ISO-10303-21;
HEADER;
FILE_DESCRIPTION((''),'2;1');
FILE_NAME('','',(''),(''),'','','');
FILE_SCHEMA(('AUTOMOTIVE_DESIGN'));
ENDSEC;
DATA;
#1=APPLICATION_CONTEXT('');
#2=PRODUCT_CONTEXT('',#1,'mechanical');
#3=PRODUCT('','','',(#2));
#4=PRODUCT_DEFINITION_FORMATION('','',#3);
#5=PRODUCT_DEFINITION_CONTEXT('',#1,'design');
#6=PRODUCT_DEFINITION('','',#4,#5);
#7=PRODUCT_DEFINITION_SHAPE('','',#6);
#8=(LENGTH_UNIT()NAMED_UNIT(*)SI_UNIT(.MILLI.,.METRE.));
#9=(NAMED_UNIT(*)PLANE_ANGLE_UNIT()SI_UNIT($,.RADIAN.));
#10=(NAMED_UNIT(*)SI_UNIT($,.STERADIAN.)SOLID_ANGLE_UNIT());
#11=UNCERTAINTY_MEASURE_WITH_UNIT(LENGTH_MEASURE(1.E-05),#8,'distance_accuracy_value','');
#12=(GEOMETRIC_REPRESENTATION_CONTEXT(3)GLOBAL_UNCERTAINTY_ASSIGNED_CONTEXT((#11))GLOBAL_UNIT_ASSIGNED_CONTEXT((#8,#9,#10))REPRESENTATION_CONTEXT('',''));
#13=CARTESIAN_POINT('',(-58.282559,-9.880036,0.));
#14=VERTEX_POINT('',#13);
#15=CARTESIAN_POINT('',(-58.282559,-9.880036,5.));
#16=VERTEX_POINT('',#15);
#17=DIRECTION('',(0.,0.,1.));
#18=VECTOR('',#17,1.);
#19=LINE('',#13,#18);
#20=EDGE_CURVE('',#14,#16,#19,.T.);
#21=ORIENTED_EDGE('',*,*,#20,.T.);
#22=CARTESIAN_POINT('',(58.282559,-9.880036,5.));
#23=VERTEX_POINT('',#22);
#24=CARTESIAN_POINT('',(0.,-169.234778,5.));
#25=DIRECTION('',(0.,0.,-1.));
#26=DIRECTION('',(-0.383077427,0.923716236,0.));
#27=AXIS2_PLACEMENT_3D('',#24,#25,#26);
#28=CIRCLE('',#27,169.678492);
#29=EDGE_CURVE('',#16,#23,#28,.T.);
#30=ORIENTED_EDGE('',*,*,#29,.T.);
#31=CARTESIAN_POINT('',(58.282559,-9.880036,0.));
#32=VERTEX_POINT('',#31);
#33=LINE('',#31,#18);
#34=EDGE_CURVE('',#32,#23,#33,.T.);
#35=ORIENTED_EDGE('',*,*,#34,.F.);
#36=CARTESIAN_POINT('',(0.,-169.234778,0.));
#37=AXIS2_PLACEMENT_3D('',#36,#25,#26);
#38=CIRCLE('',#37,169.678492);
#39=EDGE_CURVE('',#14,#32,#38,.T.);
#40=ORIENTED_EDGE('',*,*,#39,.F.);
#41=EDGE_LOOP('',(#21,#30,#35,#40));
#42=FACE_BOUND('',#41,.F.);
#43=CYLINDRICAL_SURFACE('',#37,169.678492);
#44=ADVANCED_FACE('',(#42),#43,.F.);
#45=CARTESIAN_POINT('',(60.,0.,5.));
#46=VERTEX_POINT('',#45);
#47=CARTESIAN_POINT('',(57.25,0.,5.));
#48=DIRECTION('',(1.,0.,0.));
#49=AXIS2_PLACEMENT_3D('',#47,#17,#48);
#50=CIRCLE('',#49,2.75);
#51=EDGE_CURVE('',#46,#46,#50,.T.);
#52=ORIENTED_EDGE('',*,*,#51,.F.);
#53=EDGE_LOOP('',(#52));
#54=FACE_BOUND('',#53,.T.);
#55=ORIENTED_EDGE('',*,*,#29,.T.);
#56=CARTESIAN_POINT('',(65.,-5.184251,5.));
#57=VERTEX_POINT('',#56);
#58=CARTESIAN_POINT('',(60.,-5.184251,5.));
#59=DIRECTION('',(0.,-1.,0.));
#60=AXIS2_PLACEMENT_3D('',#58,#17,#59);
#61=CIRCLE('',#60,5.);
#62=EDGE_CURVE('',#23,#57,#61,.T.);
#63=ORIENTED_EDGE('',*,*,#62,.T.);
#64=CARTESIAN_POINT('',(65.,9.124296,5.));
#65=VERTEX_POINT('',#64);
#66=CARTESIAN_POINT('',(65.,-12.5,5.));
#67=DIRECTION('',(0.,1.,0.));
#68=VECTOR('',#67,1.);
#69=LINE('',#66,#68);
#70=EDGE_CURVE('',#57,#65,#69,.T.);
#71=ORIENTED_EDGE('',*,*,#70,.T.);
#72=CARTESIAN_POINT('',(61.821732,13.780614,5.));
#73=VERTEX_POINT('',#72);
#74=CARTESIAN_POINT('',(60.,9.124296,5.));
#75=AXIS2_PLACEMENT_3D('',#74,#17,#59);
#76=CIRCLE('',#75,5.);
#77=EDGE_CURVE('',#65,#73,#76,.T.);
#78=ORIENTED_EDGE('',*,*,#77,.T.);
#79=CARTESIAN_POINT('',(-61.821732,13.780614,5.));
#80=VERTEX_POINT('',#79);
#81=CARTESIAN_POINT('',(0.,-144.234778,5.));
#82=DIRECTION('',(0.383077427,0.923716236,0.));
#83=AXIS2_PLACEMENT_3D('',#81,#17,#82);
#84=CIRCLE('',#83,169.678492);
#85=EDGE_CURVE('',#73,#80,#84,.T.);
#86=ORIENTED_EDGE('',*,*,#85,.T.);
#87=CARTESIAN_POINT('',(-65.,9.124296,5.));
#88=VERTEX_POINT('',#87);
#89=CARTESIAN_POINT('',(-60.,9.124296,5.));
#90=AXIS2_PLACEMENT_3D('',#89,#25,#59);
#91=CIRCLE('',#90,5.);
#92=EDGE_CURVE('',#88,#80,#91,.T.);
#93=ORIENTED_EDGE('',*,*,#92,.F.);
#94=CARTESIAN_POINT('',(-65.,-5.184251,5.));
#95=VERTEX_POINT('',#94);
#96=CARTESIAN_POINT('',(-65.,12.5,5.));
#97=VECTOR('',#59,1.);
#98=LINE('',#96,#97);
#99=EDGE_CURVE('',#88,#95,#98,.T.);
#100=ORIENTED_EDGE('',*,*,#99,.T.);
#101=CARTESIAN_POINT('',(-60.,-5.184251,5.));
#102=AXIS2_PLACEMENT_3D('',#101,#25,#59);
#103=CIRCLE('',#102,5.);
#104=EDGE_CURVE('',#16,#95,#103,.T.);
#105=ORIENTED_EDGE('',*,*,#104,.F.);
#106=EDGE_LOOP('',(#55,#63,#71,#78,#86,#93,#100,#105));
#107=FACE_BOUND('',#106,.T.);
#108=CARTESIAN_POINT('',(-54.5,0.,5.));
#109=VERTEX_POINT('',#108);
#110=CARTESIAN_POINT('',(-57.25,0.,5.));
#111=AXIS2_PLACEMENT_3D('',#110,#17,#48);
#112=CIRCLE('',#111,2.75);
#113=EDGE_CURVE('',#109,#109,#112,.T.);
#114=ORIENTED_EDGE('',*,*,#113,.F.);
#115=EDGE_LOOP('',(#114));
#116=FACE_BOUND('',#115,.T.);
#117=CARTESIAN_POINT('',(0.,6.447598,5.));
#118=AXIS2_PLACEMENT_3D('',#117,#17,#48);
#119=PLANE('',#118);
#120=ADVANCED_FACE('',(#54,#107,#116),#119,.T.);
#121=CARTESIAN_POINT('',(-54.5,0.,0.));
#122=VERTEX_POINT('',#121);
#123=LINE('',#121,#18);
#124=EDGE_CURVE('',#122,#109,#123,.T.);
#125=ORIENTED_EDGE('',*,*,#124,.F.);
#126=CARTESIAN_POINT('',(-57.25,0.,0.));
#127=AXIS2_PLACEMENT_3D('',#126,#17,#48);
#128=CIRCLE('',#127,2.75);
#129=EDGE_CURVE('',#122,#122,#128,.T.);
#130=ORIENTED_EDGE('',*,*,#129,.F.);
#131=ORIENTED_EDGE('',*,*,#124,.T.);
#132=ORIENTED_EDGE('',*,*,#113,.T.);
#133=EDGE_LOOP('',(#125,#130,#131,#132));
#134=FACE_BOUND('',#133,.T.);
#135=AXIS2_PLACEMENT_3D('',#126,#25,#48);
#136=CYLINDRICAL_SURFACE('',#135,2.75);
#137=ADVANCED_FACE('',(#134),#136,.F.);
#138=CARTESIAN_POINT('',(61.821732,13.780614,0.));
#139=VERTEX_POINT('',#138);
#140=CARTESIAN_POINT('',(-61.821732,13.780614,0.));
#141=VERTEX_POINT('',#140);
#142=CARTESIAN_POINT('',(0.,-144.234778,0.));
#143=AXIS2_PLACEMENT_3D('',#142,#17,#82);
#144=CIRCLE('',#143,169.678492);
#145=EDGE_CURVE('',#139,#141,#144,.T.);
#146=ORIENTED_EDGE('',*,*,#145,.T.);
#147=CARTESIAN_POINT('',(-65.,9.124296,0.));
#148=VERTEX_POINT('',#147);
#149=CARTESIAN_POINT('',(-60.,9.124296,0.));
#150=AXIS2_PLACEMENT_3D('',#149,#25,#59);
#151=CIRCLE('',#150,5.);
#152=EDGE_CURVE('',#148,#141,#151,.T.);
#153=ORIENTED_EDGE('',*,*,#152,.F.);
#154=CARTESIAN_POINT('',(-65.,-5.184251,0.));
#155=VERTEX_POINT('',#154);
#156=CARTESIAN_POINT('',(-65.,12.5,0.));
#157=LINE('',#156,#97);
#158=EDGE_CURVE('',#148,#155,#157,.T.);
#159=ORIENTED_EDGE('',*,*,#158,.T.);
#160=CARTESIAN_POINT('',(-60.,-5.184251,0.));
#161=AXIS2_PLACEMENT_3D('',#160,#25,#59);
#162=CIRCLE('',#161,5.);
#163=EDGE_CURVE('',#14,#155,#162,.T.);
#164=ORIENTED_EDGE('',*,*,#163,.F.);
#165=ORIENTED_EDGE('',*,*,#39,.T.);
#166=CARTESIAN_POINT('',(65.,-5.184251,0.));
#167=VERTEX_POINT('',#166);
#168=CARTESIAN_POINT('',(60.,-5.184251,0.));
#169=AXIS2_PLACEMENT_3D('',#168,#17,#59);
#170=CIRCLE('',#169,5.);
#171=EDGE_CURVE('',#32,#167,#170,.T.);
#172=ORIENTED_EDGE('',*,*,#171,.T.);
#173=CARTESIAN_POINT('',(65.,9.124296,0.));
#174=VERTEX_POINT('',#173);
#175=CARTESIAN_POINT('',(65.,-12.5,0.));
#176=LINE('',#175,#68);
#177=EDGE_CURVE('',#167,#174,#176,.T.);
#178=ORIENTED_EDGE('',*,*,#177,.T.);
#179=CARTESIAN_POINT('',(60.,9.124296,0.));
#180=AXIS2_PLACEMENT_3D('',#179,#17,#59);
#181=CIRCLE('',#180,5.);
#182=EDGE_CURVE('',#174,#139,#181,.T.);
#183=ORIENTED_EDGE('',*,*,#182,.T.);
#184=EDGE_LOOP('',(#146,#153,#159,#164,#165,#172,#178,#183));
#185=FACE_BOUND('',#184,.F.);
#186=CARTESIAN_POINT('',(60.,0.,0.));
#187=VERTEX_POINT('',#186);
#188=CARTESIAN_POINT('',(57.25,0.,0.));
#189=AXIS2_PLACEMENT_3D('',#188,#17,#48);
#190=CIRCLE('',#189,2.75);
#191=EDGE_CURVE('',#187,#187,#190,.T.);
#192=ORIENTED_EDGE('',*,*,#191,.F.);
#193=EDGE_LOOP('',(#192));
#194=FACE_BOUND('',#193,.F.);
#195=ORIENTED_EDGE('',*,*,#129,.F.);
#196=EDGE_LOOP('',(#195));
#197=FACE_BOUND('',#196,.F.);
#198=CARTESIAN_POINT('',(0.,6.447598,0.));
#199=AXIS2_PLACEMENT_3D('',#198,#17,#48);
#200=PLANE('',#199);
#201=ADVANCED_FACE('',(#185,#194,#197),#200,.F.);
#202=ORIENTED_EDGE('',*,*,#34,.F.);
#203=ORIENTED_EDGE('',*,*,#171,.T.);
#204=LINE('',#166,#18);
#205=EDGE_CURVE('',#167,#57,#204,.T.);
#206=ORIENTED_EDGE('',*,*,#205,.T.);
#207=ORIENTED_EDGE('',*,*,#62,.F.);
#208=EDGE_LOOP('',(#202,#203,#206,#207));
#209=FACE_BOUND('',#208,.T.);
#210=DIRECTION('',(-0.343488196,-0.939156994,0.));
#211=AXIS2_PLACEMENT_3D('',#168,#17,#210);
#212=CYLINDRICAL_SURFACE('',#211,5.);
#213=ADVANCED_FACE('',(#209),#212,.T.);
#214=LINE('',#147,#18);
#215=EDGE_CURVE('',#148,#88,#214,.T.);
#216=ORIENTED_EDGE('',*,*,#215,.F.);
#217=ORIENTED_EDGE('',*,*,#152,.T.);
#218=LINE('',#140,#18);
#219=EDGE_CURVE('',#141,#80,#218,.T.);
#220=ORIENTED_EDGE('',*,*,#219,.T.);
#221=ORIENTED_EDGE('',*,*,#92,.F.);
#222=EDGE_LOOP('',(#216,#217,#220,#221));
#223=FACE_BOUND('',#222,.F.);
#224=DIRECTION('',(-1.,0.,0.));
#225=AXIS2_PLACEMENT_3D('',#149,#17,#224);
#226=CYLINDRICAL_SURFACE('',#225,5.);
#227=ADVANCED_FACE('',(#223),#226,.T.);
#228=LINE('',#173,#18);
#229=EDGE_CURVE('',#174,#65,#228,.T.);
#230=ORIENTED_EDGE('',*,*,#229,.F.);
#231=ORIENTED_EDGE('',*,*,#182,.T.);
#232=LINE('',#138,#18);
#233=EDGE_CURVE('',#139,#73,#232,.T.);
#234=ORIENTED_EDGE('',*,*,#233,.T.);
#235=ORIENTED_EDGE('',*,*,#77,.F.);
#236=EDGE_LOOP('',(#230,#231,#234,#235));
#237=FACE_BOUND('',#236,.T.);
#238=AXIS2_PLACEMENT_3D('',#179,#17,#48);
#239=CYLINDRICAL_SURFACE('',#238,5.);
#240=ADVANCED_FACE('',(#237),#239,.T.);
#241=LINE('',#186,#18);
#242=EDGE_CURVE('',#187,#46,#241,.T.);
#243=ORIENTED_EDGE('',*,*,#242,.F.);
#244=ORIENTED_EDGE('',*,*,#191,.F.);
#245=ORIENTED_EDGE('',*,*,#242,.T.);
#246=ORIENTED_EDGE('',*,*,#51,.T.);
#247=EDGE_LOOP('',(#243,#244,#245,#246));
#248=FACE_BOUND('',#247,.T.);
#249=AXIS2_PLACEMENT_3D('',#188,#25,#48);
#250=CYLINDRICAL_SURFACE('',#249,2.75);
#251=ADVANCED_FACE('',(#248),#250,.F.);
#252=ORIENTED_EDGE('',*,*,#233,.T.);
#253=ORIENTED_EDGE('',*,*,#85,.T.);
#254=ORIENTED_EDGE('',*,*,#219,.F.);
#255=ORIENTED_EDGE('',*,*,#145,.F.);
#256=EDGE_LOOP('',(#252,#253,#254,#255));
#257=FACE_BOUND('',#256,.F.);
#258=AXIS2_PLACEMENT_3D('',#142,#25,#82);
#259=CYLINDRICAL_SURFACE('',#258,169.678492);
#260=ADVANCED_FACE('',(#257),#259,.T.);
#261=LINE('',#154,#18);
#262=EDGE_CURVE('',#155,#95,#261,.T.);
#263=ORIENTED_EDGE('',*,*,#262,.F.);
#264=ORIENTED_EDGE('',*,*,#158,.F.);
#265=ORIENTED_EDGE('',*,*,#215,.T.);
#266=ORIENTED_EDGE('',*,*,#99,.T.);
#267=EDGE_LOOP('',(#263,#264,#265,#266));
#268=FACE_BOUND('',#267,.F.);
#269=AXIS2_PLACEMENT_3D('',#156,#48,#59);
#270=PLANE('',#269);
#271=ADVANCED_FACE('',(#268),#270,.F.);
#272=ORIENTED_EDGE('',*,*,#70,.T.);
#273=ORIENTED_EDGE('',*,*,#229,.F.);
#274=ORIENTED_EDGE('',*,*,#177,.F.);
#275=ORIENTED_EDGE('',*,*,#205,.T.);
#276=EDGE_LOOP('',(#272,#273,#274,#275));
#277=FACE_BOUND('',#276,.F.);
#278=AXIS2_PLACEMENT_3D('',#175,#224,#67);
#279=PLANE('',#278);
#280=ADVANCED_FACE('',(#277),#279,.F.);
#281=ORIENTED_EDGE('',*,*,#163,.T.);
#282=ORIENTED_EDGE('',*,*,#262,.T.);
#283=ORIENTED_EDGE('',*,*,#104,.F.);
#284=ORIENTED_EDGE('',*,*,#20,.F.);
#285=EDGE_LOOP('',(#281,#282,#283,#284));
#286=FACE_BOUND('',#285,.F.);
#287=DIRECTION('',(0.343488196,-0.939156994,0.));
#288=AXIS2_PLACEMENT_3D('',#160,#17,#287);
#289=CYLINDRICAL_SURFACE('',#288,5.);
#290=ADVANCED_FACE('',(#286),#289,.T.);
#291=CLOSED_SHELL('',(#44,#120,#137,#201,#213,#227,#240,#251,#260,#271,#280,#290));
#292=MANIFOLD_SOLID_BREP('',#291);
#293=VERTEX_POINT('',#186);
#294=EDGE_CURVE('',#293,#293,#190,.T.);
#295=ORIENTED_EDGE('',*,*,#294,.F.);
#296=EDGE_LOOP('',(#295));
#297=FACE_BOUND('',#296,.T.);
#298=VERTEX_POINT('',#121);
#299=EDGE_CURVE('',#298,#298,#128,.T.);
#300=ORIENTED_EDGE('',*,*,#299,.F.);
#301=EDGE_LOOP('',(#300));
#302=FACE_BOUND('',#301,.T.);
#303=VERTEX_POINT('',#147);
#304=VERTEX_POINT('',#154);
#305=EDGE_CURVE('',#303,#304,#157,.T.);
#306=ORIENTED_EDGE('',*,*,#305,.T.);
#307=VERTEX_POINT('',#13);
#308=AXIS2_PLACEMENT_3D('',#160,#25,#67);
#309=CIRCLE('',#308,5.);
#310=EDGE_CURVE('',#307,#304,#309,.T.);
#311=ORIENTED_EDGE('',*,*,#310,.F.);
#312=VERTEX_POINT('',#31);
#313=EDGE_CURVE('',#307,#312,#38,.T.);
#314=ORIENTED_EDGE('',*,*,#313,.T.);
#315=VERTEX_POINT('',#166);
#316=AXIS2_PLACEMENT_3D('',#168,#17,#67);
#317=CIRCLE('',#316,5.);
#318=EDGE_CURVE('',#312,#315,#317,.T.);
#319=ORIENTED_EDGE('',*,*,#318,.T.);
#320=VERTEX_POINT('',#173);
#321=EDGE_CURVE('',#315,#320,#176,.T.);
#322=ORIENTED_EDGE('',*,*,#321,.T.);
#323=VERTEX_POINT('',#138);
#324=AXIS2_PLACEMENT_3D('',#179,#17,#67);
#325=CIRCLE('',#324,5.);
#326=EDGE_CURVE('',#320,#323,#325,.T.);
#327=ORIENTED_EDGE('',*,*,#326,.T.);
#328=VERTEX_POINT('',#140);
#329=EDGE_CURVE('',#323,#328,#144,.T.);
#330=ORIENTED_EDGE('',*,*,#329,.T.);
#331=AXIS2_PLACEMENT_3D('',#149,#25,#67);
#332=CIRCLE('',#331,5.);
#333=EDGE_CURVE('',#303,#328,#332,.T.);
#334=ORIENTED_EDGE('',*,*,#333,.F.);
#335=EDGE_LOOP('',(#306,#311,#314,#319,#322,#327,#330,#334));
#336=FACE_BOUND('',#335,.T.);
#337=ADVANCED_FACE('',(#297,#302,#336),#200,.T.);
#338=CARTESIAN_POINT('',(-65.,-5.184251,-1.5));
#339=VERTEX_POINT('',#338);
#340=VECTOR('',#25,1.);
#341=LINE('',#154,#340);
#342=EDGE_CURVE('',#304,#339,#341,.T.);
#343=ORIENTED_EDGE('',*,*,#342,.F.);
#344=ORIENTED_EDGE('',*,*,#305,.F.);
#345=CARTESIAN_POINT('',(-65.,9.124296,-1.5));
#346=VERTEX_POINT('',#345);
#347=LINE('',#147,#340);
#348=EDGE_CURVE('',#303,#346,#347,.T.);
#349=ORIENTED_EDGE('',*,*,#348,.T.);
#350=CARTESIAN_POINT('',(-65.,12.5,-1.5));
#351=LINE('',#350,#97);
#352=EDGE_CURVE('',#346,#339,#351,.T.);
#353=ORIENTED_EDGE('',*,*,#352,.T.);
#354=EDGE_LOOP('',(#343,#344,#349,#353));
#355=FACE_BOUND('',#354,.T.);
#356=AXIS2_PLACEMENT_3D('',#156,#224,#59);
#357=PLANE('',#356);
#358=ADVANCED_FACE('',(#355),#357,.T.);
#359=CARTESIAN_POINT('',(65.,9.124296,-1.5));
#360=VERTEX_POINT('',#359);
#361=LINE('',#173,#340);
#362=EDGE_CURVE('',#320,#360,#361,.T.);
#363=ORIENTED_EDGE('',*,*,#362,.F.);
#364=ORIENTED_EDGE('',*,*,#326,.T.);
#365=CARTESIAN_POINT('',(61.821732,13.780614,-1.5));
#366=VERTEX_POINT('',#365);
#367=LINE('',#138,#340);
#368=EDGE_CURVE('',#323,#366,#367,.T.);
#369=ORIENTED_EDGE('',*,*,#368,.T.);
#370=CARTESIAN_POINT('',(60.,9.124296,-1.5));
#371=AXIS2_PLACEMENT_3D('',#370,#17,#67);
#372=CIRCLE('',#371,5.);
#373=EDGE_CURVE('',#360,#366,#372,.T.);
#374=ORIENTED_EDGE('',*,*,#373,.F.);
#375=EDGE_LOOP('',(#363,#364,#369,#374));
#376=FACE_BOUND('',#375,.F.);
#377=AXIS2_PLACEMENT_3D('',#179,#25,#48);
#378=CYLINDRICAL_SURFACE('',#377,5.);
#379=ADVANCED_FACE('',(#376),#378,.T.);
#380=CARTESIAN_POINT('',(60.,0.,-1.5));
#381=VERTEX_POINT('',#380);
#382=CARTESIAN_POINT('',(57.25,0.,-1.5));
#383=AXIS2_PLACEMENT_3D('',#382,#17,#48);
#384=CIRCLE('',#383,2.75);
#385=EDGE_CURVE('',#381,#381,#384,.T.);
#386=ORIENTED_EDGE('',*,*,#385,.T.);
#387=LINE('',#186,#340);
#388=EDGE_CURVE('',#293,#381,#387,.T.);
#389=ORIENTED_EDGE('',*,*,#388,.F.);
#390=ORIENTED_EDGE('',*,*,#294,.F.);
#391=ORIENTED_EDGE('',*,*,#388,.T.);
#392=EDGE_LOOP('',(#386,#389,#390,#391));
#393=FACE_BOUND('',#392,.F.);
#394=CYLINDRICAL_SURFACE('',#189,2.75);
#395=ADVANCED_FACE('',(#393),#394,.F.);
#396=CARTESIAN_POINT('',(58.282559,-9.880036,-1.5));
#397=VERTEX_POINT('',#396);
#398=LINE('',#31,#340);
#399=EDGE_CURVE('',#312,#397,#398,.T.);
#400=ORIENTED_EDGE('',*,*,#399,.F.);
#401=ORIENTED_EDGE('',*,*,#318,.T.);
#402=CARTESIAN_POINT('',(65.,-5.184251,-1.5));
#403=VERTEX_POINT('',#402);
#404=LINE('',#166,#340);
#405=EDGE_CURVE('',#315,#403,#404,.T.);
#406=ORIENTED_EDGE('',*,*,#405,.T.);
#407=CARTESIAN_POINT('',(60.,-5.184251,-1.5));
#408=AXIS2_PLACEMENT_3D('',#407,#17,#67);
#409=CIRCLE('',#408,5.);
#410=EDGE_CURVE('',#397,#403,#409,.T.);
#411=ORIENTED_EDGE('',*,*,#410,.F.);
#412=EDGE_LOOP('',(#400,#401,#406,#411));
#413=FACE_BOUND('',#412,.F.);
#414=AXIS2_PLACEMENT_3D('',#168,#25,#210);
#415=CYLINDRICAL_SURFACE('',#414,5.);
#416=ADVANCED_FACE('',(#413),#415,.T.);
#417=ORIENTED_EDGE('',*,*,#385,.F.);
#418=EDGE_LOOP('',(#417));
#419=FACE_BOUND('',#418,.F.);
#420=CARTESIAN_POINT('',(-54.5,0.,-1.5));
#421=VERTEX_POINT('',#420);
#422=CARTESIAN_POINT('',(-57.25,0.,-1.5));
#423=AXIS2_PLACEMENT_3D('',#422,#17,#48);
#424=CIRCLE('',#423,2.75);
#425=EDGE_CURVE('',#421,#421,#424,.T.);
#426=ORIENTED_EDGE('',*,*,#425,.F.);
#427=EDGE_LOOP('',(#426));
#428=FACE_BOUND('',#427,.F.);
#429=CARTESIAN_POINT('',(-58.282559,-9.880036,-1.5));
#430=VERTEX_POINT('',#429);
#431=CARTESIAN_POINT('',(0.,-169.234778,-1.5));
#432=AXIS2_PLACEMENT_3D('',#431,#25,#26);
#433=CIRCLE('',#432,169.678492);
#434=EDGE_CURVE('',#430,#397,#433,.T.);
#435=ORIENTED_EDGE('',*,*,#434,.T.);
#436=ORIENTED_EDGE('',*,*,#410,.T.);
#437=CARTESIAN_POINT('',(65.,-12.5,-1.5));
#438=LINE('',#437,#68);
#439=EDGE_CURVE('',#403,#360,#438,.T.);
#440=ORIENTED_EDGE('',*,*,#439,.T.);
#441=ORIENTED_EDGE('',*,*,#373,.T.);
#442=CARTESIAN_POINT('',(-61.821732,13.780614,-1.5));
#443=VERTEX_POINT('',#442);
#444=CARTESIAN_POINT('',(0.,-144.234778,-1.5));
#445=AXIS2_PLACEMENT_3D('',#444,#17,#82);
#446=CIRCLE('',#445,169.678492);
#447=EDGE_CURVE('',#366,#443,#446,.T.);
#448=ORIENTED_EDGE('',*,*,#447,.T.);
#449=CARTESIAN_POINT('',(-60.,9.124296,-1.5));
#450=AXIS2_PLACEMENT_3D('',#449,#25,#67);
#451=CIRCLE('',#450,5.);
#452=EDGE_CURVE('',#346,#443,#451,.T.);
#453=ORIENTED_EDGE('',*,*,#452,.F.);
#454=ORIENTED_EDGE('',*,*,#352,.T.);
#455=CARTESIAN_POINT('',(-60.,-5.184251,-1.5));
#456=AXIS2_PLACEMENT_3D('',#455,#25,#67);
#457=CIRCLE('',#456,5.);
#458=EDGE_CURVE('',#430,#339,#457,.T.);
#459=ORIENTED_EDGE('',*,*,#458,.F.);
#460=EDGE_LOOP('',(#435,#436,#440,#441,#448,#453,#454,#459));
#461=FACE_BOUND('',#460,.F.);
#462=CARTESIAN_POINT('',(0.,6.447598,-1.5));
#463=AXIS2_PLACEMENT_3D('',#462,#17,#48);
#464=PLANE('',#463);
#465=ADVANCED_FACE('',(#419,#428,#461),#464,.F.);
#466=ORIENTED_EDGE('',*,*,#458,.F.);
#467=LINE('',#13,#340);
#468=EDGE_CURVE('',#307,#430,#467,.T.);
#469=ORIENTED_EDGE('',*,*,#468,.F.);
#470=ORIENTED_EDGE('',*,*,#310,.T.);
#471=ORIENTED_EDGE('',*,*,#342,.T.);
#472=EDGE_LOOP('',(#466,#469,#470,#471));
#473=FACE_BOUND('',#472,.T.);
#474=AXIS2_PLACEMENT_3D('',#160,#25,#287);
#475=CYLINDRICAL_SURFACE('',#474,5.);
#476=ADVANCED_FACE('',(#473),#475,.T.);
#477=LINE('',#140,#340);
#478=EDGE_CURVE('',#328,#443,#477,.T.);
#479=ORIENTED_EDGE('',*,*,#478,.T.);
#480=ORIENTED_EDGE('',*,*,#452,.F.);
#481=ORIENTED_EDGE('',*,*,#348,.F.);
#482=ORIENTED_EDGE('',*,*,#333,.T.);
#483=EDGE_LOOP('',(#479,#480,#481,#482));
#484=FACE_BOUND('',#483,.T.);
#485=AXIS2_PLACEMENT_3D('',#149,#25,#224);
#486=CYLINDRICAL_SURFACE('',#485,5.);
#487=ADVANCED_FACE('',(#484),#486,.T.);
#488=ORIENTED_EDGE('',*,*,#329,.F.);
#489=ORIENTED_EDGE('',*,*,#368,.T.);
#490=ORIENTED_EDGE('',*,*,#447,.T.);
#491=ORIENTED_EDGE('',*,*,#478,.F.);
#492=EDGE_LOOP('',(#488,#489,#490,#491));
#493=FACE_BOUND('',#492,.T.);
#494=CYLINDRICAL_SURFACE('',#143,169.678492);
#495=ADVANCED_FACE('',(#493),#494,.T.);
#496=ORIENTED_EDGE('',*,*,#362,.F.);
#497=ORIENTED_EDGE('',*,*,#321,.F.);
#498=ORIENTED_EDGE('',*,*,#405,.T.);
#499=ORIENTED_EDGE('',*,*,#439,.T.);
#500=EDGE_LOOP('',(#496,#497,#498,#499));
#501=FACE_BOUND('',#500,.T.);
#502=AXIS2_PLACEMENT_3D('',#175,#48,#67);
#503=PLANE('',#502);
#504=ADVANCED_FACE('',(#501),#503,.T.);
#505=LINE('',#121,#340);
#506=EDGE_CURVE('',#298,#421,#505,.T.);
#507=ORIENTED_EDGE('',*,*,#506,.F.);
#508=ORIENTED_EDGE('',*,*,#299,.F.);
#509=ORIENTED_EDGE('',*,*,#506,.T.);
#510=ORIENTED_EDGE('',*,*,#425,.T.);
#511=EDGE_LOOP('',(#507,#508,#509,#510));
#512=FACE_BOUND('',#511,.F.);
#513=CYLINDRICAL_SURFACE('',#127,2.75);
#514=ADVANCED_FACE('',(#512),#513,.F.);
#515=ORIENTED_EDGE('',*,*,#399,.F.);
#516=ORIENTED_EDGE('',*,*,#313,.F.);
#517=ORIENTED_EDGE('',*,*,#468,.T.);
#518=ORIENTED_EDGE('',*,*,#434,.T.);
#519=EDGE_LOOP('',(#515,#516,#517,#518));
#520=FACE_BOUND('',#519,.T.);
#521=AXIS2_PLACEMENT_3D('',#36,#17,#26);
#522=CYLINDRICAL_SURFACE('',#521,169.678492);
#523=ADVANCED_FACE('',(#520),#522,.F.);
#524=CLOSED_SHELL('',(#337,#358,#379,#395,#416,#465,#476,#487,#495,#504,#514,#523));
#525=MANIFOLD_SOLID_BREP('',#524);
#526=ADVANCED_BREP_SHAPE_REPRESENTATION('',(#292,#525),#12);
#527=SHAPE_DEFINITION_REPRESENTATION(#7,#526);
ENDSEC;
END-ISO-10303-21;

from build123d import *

# Parameters (mm, degrees)
F0_R     = 2.75
F1_DEPTH = 5
F2_DEPTH = 1.5
F3_R     = 5
F3_2_R   = 5


with BuildPart() as f1:
    # F0 (on Top) → F1 (new body)
    with BuildSketch(Plane.XY):
        with BuildLine():
            ThreePointArc((-65, -12.5), (0, 0.443714), (65, -12.5))
            Line((65, -12.5), (65, 12.5))
            ThreePointArc((65, 12.5), (0, 25.443714), (-65, 12.5))
            Line((-65, 12.5), (-65, -12.5))
        make_face()
        with Locations((-57.25, 0)):
            Circle(F0_R, mode=Mode.SUBTRACT)
        with Locations((57.25, 0)):
            Circle(F0_R, mode=Mode.SUBTRACT)
    extrude(amount=F1_DEPTH)

    # F3
    f3_edges = [f1.edges().sort_by_distance(p)[0] for p in [
        (-65, -12.5, 2.5),
        (65, -12.5, 2.5),
        (65, 12.5, 2.5),
        (-65, 12.5, 2.5),
    ]]
    fillet(f3_edges, radius=F3_R)


with BuildPart() as f2:
    # F0 (on Top) → F2 (new body)
    with BuildSketch(Plane.XY):
        with BuildLine():
            ThreePointArc((-65, -12.5), (0, 0.443714), (65, -12.5))
            Line((65, -12.5), (65, 12.5))
            ThreePointArc((65, 12.5), (0, 25.443714), (-65, 12.5))
            Line((-65, 12.5), (-65, -12.5))
        make_face()
        with Locations((-57.25, 0)):
            Circle(F0_R, mode=Mode.SUBTRACT)
        with Locations((57.25, 0)):
            Circle(F0_R, mode=Mode.SUBTRACT)
    extrude(amount=-F2_DEPTH)

    # F3#2
    f3_2_edges = [f2.edges().sort_by_distance(p)[0] for p in [
        (-65, -12.5, -0.75),
        (65, -12.5, -0.75),
        (65, 12.5, -0.75),
        (-65, 12.5, -0.75),
    ]]
    fillet(f3_2_edges, radius=F3_2_R)


solid = Compound([f1.part, f2.part])
